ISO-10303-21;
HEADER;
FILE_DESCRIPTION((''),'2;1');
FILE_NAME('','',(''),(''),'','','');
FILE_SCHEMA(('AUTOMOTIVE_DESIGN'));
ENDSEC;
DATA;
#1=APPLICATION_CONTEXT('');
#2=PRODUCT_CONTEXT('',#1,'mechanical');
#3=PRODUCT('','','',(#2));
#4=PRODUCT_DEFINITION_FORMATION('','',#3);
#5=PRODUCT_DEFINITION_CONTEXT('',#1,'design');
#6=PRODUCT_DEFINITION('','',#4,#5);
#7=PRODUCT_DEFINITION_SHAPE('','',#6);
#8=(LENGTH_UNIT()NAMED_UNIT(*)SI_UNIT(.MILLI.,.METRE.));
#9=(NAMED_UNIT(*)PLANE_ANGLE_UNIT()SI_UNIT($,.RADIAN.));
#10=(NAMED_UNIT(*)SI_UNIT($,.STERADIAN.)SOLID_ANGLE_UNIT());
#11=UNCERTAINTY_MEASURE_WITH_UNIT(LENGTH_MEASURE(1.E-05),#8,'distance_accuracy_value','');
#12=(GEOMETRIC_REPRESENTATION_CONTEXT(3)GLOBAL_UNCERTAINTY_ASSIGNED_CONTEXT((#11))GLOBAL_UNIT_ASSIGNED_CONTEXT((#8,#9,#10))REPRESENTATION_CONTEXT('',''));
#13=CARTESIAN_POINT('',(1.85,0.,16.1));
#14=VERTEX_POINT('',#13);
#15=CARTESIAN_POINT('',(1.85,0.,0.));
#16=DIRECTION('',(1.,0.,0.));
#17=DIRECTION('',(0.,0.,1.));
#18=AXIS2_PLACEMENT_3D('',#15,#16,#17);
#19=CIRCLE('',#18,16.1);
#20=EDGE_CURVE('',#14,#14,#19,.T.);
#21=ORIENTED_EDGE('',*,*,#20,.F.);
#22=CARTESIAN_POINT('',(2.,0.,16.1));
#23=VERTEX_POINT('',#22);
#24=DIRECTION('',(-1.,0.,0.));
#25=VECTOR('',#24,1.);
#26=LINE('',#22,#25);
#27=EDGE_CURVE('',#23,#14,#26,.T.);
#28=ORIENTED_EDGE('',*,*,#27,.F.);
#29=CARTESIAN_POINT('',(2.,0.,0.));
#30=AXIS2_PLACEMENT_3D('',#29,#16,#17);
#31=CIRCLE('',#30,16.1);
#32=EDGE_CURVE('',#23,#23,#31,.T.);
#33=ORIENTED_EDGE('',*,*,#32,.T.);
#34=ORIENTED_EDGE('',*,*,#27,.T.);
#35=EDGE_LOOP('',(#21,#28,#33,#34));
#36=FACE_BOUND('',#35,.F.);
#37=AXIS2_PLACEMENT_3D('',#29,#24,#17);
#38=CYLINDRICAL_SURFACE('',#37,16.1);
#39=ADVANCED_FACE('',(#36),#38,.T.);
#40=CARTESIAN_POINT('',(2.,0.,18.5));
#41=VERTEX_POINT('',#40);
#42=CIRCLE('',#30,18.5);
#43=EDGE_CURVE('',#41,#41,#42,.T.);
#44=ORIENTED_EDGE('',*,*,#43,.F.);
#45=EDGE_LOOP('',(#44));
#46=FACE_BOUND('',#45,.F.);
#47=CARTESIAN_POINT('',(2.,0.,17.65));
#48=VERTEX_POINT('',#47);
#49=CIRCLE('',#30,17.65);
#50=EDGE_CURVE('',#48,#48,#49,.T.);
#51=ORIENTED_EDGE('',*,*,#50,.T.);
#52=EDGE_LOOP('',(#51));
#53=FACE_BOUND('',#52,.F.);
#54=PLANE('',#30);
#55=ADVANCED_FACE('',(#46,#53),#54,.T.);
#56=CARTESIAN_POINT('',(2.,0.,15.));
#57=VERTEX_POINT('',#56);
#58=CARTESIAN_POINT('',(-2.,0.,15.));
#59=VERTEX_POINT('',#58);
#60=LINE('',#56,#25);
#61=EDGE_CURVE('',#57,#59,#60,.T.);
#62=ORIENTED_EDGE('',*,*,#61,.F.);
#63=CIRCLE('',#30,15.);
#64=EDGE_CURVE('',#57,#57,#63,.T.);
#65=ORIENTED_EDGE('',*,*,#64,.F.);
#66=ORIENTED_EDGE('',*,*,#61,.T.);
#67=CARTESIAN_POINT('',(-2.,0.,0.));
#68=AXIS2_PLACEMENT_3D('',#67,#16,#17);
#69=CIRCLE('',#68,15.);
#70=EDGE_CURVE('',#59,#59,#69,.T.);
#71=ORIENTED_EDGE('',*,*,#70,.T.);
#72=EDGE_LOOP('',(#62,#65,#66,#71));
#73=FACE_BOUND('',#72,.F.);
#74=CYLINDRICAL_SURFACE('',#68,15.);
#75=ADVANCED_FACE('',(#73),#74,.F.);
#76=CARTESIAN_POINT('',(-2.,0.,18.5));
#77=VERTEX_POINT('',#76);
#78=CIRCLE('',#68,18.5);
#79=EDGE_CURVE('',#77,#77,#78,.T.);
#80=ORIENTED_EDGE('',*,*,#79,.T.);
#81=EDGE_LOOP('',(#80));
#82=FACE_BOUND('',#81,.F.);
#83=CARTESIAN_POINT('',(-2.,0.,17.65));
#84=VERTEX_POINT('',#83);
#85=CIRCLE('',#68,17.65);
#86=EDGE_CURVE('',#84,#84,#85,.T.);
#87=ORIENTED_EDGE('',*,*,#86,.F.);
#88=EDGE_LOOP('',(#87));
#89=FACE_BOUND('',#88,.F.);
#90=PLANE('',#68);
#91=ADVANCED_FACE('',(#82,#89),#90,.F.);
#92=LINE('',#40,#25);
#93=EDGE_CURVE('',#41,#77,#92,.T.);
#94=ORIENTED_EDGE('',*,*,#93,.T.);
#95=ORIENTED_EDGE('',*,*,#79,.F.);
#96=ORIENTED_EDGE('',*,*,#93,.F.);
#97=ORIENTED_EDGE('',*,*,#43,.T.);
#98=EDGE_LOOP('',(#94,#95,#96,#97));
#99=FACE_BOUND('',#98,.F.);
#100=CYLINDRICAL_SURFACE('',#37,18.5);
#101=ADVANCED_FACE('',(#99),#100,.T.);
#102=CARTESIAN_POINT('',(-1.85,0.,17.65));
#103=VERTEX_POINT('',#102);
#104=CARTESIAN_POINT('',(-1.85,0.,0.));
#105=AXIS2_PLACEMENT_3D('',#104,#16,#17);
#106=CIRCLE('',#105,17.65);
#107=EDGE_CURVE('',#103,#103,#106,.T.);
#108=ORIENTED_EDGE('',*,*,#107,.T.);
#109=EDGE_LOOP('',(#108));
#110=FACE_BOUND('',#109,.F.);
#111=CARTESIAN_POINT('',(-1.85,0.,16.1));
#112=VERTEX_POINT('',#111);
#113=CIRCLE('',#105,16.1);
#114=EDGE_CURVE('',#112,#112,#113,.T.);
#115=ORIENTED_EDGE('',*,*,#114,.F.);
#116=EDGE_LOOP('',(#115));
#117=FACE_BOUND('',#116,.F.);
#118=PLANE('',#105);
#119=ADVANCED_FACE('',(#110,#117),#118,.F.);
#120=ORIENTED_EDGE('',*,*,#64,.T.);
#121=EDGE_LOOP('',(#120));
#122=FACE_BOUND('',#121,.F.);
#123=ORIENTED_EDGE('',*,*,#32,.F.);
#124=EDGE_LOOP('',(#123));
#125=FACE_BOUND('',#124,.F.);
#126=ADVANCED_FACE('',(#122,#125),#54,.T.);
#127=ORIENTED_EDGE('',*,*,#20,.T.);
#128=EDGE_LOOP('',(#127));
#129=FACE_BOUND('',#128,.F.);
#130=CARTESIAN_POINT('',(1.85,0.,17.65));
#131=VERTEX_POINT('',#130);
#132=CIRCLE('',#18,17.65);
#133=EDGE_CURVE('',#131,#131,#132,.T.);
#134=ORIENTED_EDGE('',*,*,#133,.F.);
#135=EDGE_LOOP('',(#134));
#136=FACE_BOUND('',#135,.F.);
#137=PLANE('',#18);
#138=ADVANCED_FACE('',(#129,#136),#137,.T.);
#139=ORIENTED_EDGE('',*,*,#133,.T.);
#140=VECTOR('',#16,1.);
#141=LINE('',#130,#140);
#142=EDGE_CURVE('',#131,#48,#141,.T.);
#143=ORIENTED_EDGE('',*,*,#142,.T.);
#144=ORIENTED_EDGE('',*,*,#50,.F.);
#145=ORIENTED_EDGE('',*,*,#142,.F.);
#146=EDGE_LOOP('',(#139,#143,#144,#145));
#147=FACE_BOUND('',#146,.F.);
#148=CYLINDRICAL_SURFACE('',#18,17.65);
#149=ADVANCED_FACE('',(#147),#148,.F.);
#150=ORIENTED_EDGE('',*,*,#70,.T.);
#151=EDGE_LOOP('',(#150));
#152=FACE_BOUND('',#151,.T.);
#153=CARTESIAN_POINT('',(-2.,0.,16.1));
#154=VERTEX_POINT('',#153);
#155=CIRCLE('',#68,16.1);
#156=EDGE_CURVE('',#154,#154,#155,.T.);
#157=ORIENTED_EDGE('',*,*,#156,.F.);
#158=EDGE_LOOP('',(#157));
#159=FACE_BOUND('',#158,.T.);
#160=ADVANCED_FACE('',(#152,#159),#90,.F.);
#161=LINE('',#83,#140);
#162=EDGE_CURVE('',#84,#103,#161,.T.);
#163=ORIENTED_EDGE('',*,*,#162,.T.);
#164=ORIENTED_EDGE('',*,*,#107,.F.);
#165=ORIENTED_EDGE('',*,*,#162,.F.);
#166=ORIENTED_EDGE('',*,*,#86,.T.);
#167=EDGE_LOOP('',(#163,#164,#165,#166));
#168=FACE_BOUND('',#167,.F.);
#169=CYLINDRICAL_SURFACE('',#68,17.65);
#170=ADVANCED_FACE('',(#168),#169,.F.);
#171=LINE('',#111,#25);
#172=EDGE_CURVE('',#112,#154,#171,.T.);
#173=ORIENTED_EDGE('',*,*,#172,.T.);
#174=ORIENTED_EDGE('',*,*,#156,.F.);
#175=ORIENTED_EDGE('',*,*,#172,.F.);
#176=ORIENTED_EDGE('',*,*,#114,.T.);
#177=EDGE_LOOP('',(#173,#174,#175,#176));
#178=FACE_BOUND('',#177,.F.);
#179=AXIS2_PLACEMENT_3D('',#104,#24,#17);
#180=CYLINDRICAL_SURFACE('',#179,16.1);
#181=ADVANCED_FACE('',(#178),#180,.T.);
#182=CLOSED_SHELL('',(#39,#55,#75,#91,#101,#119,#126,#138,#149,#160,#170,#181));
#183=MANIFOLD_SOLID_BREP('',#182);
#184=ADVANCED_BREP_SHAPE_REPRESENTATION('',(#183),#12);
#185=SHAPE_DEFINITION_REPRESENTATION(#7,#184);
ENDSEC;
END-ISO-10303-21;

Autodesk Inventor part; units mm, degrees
ref_plane "YZ Plane" through (0, 0, 0) normal (1, 0, 0) x (0, 1, 0)
ref_plane "XZ Plane" through (0, 0, 0) normal (0, 1, 0) x (-1, 0, 0)
ref_plane "XY Plane" through (0, 0, 0) normal (0, 0, 1) x (1, 0, 0)
sketch "Skizze1" plane through (0, 0, 0) normal (0, 1, 0) x (-1, 0, 0)
  line L0 (2, 0) -> (-2, 0)
  line L1 (2, 15) -> (-2, 15)
  line L2 (-2, 15) -> (-2, 16.1)
  line L3 (-2, 16.1) -> (-1.85, 16.1)
  line L4 (-1.85, 16.1) -> (-1.85, 17.65)
  line L5 (-1.85, 17.65) -> (-2, 17.65)
  line L6 (-2, 17.65) -> (-2, 18.5)
  line L7 (-2, 18.5) -> (2, 18.5)
  line L8 (2, 18.5) -> (2, 17.65)
  line L9 (2, 17.65) -> (1.85, 17.65)
  line L10 (1.85, 17.65) -> (1.85, 16.1)
  line L11 (1.85, 16.1) -> (2, 16.1)
  line L12 (2, 15) -> (2, 16.1)
  line L13 (0, -3.7) -> (0, 22.2) projected
  point P0 (0, 0)
  dimension "d0" = 30
  dimension "d1" = 37
  dimension "d2" = 4
  dimension "d3" = 0.15
  dimension "d4" = 1.1
  dimension "d5" = 0.85
revolve "Umdrehung1" add sketch "Skizze1" angle 360 about axis through (-2, 0, 0) along (1, 0, 0)
properties part number "Kugellager 6706-2RS" material "Stahl, weich, geschweißt"
